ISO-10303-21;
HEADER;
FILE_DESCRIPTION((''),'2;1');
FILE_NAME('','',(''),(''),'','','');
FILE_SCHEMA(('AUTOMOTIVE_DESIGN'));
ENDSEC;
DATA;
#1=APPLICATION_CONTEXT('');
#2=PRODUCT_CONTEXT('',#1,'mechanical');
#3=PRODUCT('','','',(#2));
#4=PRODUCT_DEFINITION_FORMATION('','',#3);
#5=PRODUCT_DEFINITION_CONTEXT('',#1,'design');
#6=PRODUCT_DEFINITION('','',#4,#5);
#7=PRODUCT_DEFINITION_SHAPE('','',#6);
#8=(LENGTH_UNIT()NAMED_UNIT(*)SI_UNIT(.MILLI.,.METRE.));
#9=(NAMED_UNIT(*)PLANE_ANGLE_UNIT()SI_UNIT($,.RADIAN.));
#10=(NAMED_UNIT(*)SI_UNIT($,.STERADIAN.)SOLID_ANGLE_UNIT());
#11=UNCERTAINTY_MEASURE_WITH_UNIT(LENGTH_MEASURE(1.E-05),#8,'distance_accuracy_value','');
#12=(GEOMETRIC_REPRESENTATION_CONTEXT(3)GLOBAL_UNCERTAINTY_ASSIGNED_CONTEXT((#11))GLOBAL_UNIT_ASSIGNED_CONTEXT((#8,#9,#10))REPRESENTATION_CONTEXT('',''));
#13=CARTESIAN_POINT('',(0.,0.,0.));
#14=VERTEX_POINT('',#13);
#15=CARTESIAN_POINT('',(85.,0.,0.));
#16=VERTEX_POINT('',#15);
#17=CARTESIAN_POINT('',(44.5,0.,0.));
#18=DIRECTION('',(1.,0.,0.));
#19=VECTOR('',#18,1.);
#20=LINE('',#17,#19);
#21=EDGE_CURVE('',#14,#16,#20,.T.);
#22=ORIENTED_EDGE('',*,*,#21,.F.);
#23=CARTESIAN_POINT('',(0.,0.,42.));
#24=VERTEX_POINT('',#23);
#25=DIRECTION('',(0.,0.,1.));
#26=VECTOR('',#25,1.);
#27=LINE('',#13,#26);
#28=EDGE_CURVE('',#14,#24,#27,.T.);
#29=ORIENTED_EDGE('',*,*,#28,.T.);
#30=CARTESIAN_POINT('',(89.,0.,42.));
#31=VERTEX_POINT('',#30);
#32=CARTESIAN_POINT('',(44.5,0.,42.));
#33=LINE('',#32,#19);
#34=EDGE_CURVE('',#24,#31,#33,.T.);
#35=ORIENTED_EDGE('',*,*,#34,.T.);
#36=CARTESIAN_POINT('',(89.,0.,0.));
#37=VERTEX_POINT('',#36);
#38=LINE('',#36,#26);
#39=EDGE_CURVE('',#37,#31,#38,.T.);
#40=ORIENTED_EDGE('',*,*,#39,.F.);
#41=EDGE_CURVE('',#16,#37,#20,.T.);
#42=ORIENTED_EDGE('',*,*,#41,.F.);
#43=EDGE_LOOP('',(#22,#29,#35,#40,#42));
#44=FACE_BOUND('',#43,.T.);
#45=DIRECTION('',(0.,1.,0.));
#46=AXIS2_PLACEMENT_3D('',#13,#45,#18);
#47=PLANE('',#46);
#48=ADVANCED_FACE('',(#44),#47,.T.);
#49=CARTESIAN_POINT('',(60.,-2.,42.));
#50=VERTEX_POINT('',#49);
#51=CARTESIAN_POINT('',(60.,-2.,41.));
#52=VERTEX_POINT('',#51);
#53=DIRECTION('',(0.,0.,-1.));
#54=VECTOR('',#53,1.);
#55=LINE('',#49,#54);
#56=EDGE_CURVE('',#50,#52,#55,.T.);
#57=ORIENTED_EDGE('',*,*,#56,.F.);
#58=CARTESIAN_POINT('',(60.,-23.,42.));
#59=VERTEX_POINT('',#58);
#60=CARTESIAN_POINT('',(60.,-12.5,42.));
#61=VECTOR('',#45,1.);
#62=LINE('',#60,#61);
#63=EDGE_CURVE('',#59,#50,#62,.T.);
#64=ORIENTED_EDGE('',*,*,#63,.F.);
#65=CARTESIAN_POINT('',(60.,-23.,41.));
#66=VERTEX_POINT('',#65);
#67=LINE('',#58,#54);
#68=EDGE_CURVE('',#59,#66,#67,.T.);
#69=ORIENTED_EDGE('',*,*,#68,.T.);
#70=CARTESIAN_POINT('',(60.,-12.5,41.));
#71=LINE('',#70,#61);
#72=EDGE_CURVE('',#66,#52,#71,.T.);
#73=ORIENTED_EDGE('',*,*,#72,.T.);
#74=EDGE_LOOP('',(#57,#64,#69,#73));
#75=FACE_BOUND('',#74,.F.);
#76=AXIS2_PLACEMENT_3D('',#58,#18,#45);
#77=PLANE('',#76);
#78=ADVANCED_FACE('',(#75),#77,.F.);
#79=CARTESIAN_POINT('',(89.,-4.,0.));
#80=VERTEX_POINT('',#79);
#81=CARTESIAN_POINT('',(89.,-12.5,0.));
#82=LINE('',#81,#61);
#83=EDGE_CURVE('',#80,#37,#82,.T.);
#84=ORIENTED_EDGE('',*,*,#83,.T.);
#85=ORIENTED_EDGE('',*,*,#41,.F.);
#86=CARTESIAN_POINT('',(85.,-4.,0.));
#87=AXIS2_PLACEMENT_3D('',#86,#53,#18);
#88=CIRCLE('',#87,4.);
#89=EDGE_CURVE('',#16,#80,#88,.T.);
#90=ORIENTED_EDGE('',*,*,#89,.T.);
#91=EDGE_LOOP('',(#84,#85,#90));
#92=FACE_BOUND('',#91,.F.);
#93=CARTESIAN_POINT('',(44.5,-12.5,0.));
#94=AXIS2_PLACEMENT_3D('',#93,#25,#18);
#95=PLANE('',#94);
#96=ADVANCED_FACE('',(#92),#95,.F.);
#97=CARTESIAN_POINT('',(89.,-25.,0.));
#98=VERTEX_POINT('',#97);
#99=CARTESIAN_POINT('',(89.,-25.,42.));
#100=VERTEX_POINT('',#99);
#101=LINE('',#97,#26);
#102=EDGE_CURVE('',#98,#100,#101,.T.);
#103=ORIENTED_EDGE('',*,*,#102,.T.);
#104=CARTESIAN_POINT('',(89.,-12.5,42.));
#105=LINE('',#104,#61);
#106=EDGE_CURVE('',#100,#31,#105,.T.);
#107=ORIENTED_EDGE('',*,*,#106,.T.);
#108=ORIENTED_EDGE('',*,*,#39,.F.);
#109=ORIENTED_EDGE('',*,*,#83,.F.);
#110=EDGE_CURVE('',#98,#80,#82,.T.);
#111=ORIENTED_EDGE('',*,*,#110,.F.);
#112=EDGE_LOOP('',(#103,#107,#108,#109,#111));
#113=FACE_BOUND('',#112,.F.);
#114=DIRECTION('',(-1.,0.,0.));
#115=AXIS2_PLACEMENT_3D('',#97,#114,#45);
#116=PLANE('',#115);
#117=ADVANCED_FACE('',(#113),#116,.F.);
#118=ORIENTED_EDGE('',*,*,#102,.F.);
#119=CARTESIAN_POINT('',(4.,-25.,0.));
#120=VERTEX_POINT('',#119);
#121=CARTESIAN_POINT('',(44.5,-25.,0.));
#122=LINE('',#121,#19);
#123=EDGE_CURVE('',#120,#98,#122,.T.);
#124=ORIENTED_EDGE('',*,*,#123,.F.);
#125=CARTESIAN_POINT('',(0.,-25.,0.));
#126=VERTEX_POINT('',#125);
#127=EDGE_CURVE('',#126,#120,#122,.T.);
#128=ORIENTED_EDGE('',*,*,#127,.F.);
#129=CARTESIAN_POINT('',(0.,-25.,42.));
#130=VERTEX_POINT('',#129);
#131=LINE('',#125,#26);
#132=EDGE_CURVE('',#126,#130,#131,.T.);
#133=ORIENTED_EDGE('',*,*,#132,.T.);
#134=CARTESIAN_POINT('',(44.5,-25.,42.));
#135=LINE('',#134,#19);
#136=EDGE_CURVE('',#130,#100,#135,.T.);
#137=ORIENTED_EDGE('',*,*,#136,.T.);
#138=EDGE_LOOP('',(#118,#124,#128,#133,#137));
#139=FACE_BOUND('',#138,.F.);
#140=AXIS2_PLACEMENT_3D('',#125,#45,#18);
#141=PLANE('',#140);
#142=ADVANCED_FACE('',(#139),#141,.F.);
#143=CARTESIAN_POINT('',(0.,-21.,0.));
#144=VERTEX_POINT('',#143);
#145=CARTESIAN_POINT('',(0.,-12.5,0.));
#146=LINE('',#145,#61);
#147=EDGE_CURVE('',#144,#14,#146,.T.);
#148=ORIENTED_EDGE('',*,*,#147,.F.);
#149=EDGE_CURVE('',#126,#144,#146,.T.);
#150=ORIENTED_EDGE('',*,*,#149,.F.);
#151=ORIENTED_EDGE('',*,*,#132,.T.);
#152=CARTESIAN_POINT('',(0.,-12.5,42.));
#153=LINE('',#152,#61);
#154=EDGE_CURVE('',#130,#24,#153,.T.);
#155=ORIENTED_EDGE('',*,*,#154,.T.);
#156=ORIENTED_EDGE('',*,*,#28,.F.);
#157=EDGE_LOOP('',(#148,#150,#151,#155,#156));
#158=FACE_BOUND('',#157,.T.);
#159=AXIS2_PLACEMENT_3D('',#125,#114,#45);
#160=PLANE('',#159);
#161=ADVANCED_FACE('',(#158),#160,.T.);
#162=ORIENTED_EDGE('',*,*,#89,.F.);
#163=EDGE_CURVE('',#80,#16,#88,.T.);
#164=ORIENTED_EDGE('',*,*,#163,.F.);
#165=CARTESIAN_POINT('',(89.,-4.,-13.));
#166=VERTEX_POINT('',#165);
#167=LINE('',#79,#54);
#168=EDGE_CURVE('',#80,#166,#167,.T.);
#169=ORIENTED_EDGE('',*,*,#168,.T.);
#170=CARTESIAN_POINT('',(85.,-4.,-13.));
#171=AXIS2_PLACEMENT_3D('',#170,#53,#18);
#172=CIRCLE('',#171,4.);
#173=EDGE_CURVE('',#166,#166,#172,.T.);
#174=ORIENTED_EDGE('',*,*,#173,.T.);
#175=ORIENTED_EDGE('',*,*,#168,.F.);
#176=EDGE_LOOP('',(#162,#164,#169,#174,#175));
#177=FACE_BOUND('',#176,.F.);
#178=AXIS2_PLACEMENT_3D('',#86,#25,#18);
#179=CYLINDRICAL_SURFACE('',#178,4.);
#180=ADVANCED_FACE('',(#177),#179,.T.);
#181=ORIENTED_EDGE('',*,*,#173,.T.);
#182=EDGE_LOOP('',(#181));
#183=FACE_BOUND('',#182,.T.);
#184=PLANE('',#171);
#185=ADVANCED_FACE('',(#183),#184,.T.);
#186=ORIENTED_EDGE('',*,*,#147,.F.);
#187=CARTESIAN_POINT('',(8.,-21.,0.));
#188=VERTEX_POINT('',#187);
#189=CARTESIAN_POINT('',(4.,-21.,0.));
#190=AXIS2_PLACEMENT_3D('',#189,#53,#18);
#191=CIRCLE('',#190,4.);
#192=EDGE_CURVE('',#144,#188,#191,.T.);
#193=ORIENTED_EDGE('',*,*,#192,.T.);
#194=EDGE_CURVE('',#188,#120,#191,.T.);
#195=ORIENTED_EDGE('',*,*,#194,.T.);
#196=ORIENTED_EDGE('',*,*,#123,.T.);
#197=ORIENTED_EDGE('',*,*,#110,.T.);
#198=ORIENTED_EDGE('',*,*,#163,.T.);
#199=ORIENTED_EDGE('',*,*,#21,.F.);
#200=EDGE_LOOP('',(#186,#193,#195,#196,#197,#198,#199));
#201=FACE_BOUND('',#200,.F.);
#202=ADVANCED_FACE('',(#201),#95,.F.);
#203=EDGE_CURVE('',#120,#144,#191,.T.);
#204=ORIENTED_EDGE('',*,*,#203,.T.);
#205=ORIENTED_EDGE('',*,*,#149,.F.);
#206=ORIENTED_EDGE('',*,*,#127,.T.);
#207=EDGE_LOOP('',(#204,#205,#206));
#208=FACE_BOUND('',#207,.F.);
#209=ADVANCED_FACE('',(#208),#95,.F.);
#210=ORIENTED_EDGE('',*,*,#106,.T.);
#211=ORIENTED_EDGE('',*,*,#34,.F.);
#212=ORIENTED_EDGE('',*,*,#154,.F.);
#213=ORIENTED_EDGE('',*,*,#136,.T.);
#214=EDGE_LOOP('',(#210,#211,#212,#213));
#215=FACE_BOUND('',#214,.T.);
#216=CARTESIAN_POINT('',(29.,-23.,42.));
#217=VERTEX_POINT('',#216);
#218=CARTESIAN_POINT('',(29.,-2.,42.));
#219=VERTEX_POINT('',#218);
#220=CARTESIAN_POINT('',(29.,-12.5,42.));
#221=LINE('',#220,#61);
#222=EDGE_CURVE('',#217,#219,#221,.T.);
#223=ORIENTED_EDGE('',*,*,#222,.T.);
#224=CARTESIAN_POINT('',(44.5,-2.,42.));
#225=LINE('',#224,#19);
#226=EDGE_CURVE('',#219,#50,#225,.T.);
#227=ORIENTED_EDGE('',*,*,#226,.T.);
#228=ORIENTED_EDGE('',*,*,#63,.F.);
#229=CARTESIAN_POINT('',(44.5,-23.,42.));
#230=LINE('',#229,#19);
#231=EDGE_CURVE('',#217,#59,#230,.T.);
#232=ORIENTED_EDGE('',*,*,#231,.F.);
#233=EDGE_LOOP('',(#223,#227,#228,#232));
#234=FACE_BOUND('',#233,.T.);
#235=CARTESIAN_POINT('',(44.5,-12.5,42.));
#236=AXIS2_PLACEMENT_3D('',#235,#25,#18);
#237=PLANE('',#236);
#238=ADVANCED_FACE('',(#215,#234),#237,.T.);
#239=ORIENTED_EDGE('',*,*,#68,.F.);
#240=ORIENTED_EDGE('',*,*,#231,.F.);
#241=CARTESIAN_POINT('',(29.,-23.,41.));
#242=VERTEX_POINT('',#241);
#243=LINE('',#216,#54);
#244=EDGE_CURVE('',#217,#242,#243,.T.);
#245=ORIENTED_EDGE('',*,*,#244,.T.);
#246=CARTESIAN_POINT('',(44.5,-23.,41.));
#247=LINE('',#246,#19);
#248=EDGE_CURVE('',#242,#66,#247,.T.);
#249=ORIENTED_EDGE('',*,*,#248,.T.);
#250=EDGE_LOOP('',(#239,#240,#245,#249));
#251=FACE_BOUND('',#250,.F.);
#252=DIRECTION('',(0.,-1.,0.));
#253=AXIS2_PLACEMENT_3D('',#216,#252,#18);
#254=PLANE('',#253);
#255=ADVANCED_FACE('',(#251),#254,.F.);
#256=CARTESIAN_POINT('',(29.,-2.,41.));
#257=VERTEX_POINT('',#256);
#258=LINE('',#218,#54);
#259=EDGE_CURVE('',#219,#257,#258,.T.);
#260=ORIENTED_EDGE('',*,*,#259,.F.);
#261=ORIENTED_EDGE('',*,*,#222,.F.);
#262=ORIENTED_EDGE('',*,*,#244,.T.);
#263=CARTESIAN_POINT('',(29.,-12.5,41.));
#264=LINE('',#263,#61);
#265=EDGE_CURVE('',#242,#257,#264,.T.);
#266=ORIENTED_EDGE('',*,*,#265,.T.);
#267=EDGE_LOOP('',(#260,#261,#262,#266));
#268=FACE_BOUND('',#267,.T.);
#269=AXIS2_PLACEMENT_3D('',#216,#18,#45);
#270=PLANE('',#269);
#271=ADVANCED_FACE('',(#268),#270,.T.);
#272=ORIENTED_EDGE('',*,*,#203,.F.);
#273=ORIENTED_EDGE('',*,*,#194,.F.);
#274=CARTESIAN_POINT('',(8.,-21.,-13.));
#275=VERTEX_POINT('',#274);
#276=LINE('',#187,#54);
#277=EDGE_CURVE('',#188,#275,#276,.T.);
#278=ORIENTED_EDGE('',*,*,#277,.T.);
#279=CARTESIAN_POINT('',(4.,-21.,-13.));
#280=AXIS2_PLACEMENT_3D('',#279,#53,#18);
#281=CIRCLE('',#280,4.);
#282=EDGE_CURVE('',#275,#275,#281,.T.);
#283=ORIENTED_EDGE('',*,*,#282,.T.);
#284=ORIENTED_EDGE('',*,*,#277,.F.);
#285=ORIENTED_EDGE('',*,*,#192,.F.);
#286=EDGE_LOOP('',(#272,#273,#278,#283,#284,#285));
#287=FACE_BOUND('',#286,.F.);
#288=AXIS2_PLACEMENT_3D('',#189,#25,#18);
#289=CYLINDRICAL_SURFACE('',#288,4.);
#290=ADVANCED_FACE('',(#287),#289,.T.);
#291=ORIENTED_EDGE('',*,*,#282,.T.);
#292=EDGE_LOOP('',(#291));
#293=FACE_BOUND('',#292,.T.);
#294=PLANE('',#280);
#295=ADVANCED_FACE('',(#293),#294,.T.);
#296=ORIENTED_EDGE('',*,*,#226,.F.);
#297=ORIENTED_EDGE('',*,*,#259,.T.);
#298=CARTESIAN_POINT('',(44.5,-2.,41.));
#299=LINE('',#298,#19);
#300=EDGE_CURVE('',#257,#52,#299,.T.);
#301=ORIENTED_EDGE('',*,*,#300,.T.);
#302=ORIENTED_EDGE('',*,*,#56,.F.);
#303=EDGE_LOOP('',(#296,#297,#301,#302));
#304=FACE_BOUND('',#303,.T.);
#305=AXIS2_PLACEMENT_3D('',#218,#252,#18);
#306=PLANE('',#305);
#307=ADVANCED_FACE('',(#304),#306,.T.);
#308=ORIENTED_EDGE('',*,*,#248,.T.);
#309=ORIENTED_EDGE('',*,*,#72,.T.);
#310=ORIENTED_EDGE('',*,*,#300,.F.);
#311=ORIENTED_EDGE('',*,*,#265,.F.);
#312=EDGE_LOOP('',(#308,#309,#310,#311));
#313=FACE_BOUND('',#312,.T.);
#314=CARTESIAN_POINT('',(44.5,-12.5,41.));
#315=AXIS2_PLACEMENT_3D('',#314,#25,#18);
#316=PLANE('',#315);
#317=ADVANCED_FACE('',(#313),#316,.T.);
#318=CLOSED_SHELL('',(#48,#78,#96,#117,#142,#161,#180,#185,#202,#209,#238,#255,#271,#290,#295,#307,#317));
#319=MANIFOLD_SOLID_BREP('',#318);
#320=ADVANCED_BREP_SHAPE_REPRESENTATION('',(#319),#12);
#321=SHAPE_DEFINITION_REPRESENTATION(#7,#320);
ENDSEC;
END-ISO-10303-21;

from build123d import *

# Parameters (mm, degrees)
SKETCH_W     = 89
SKETCH_H     = 25
PAD_DEPTH    = 42
SKETCH001_R  = 4
PAD001_DEPTH = 13
SKETCH002_W  = 31
SKETCH002_H  = 21
POCKET_DEPTH = 1


with BuildPart() as part:
    # Sketch → Pad (new body)
    with BuildSketch(Plane.XY):
        with Locations((44.5, -12.5)):
            Rectangle(SKETCH_W, SKETCH_H)
    extrude(amount=PAD_DEPTH)

    # Sketch001 (on Face5 of Pad) → Pad001 (join)
    with BuildSketch(Plane(origin=(0, 0, 0), x_dir=(1, 0, 0), z_dir=(0, 0, -1))):
        with Locations((85, 4)):
            Circle(SKETCH001_R)
        with Locations((4, 21)):
            Circle(SKETCH001_R)
    extrude(amount=PAD001_DEPTH)

    # Sketch002 (on Face6 of Pad001) → Pocket (cut)
    with BuildSketch(Plane.XY.offset(42)):
        with Locations((44.5, -12.5)):
            Rectangle(SKETCH002_W, SKETCH002_H)
    extrude(amount=-POCKET_DEPTH, mode=Mode.SUBTRACT)


solid = part.part
